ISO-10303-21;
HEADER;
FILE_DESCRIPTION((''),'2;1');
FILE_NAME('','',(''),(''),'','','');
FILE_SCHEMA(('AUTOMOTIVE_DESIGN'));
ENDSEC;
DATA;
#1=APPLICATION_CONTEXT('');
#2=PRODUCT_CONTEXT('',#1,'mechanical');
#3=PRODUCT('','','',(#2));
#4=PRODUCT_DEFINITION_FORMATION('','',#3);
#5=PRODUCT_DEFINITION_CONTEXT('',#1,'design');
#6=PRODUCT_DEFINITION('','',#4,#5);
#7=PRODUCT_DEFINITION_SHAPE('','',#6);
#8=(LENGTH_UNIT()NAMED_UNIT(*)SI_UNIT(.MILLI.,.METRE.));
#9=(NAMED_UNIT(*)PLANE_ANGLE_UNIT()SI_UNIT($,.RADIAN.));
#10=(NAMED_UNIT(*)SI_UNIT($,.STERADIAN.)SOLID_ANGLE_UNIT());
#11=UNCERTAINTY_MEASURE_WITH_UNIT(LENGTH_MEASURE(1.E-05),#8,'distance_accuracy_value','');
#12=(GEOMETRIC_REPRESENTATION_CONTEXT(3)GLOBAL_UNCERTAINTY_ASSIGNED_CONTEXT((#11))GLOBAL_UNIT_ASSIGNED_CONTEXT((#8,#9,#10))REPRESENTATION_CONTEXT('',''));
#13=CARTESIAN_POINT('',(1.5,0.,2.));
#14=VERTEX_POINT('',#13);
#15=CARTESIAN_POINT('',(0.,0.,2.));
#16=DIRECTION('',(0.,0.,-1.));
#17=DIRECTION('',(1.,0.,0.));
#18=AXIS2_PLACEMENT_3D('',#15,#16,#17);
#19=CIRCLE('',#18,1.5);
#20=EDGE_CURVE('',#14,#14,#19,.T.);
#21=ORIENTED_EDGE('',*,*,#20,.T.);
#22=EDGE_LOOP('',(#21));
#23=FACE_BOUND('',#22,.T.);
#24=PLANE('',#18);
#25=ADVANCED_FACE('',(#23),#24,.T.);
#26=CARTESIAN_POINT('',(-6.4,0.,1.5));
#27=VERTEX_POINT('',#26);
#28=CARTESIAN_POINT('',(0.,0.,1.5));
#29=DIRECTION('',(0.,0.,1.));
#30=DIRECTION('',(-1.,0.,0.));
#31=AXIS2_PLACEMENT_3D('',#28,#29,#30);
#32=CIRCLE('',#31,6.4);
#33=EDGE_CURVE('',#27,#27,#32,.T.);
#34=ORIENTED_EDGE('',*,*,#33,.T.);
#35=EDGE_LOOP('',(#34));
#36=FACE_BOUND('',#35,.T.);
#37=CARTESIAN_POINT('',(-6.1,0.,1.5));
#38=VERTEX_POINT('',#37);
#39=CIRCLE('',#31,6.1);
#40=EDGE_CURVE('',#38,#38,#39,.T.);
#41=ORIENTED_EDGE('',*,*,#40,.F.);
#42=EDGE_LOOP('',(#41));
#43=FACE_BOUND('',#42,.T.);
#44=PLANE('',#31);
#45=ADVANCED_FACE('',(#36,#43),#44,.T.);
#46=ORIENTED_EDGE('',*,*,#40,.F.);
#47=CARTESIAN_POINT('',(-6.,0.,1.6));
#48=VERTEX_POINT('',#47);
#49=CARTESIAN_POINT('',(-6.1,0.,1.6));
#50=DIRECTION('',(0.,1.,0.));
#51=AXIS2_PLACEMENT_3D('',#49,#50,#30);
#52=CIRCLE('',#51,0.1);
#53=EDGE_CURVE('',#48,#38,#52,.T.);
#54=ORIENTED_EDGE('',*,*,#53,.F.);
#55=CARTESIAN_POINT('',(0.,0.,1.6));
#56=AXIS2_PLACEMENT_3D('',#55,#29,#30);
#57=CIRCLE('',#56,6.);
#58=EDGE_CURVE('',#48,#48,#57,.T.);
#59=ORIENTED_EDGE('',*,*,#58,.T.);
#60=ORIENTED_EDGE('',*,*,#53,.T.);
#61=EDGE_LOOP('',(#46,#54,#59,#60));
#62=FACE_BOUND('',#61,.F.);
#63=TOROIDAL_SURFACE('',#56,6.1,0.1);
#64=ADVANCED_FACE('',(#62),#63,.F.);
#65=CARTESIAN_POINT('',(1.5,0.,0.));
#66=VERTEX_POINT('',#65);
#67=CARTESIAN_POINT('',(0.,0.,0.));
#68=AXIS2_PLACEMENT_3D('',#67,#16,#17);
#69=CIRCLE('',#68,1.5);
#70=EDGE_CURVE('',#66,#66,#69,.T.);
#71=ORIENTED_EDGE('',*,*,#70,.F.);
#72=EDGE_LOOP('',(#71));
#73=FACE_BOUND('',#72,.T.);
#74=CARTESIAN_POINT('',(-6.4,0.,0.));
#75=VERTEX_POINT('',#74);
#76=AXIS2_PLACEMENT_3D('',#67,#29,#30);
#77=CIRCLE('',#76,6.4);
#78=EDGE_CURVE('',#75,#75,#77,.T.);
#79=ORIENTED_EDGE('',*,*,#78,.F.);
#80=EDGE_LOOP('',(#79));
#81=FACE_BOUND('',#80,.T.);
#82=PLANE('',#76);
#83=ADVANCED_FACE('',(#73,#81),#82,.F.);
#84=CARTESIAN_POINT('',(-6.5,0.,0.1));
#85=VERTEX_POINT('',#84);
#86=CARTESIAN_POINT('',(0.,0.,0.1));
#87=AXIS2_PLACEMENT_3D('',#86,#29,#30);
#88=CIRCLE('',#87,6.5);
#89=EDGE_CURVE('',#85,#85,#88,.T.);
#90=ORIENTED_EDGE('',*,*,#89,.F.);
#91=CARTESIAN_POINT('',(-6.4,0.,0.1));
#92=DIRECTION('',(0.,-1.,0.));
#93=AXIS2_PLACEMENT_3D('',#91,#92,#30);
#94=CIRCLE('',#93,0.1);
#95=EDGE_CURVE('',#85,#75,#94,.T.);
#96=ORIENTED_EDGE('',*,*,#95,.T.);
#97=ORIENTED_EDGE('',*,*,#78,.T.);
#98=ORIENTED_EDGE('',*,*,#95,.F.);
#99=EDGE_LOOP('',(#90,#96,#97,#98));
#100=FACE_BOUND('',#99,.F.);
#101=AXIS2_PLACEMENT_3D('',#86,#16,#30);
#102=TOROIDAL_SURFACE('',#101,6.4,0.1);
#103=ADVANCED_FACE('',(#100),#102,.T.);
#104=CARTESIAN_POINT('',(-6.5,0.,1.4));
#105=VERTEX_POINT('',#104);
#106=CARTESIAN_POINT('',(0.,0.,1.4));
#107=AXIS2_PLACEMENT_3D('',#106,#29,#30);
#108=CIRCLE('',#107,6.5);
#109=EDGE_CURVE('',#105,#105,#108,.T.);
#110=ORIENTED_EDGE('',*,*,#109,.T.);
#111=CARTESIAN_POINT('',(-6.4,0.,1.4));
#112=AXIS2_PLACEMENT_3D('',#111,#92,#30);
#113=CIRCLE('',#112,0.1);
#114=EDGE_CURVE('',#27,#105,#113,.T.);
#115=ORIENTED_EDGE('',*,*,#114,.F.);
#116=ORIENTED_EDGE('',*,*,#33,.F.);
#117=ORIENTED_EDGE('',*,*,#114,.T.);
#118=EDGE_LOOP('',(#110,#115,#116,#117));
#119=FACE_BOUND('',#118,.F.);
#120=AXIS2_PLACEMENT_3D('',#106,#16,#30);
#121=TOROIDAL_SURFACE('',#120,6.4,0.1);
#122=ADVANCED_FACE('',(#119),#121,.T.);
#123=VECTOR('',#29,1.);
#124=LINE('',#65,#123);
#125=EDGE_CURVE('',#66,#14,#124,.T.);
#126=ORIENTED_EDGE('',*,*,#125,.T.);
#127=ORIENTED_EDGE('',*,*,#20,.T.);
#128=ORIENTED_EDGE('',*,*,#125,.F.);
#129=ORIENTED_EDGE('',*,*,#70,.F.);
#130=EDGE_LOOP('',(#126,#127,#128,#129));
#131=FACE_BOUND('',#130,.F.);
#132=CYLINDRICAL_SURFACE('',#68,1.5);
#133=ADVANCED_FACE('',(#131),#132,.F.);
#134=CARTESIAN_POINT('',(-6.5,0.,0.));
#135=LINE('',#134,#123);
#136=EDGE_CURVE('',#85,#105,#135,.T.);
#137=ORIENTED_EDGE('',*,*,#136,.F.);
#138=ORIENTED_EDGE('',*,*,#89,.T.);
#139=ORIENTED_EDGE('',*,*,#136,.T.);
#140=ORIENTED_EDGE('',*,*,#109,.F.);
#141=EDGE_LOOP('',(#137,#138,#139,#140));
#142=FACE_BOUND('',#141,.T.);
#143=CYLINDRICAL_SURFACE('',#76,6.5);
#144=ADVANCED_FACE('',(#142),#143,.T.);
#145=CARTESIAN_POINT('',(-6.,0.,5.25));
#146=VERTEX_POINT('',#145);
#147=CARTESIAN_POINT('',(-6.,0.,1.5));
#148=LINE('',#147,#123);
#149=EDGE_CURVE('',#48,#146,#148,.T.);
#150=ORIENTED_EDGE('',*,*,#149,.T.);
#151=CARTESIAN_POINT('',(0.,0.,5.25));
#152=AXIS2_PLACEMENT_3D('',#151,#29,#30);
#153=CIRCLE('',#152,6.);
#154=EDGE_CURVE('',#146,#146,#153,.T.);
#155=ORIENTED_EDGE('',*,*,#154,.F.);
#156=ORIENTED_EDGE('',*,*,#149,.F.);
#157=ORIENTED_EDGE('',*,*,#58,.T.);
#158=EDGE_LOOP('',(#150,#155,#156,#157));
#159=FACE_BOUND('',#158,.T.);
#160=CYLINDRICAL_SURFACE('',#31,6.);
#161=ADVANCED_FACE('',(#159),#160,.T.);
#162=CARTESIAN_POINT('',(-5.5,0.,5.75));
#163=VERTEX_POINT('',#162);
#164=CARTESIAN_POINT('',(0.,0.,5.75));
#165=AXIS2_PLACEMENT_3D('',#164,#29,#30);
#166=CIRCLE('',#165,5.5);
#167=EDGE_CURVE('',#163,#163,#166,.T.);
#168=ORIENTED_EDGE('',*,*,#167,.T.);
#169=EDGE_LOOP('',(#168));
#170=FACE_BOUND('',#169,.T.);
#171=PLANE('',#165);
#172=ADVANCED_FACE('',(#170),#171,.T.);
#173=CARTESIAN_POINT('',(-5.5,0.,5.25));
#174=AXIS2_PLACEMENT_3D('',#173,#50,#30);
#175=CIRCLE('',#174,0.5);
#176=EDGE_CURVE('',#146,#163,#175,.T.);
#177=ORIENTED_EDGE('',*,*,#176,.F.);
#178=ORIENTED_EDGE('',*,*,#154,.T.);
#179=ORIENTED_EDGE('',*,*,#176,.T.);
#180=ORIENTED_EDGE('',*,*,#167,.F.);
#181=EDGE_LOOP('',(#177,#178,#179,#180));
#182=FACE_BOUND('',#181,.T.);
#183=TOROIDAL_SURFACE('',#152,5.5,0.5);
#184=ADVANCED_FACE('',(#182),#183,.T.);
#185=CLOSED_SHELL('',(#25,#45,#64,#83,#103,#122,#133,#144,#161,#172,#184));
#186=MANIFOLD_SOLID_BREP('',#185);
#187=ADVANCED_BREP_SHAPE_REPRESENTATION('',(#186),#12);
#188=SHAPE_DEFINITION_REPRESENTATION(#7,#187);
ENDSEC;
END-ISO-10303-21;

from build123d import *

# Parameters (mm, degrees)
FILLET_R     = 0.5
FILLET001_R  = 0.1
SKETCH001_R  = 1.5
POCKET_DEPTH = 2


with BuildPart() as part:
    # Sketch → Revolution (revolve)
    with BuildSketch(Plane.XZ):
        Polygon((-6.5, 0), (-6.5, 1.5), (-6, 1.5), (-6, 5.75), (0, 5.75), (0, 0), align=None)
    revolve(axis=Axis((0, 0, 0), (0, 0, 1)))

    # Fillet
    fillet_edges = [part.edges().sort_by_distance(p)[0] for p in [
        (6, 0, 5.75),
    ]]
    fillet(fillet_edges, radius=FILLET_R)

    # Fillet001
    fillet001_edges = [part.edges().sort_by_distance(p)[0] for p in [
        (6.5, 0, 1.5),
        (6, 0, 1.5),
        (6.5, 0, 0),
    ]]
    fillet(fillet001_edges, radius=FILLET001_R)

    # Sketch001 (on Face9 of Fillet001) → Pocket (cut)
    with BuildSketch(Plane(origin=(0, 0, 0), x_dir=(1, 0, 0), z_dir=(0, 0, -1))):
        Circle(SKETCH001_R)
    extrude(amount=-POCKET_DEPTH, mode=Mode.SUBTRACT)


solid = part.part
